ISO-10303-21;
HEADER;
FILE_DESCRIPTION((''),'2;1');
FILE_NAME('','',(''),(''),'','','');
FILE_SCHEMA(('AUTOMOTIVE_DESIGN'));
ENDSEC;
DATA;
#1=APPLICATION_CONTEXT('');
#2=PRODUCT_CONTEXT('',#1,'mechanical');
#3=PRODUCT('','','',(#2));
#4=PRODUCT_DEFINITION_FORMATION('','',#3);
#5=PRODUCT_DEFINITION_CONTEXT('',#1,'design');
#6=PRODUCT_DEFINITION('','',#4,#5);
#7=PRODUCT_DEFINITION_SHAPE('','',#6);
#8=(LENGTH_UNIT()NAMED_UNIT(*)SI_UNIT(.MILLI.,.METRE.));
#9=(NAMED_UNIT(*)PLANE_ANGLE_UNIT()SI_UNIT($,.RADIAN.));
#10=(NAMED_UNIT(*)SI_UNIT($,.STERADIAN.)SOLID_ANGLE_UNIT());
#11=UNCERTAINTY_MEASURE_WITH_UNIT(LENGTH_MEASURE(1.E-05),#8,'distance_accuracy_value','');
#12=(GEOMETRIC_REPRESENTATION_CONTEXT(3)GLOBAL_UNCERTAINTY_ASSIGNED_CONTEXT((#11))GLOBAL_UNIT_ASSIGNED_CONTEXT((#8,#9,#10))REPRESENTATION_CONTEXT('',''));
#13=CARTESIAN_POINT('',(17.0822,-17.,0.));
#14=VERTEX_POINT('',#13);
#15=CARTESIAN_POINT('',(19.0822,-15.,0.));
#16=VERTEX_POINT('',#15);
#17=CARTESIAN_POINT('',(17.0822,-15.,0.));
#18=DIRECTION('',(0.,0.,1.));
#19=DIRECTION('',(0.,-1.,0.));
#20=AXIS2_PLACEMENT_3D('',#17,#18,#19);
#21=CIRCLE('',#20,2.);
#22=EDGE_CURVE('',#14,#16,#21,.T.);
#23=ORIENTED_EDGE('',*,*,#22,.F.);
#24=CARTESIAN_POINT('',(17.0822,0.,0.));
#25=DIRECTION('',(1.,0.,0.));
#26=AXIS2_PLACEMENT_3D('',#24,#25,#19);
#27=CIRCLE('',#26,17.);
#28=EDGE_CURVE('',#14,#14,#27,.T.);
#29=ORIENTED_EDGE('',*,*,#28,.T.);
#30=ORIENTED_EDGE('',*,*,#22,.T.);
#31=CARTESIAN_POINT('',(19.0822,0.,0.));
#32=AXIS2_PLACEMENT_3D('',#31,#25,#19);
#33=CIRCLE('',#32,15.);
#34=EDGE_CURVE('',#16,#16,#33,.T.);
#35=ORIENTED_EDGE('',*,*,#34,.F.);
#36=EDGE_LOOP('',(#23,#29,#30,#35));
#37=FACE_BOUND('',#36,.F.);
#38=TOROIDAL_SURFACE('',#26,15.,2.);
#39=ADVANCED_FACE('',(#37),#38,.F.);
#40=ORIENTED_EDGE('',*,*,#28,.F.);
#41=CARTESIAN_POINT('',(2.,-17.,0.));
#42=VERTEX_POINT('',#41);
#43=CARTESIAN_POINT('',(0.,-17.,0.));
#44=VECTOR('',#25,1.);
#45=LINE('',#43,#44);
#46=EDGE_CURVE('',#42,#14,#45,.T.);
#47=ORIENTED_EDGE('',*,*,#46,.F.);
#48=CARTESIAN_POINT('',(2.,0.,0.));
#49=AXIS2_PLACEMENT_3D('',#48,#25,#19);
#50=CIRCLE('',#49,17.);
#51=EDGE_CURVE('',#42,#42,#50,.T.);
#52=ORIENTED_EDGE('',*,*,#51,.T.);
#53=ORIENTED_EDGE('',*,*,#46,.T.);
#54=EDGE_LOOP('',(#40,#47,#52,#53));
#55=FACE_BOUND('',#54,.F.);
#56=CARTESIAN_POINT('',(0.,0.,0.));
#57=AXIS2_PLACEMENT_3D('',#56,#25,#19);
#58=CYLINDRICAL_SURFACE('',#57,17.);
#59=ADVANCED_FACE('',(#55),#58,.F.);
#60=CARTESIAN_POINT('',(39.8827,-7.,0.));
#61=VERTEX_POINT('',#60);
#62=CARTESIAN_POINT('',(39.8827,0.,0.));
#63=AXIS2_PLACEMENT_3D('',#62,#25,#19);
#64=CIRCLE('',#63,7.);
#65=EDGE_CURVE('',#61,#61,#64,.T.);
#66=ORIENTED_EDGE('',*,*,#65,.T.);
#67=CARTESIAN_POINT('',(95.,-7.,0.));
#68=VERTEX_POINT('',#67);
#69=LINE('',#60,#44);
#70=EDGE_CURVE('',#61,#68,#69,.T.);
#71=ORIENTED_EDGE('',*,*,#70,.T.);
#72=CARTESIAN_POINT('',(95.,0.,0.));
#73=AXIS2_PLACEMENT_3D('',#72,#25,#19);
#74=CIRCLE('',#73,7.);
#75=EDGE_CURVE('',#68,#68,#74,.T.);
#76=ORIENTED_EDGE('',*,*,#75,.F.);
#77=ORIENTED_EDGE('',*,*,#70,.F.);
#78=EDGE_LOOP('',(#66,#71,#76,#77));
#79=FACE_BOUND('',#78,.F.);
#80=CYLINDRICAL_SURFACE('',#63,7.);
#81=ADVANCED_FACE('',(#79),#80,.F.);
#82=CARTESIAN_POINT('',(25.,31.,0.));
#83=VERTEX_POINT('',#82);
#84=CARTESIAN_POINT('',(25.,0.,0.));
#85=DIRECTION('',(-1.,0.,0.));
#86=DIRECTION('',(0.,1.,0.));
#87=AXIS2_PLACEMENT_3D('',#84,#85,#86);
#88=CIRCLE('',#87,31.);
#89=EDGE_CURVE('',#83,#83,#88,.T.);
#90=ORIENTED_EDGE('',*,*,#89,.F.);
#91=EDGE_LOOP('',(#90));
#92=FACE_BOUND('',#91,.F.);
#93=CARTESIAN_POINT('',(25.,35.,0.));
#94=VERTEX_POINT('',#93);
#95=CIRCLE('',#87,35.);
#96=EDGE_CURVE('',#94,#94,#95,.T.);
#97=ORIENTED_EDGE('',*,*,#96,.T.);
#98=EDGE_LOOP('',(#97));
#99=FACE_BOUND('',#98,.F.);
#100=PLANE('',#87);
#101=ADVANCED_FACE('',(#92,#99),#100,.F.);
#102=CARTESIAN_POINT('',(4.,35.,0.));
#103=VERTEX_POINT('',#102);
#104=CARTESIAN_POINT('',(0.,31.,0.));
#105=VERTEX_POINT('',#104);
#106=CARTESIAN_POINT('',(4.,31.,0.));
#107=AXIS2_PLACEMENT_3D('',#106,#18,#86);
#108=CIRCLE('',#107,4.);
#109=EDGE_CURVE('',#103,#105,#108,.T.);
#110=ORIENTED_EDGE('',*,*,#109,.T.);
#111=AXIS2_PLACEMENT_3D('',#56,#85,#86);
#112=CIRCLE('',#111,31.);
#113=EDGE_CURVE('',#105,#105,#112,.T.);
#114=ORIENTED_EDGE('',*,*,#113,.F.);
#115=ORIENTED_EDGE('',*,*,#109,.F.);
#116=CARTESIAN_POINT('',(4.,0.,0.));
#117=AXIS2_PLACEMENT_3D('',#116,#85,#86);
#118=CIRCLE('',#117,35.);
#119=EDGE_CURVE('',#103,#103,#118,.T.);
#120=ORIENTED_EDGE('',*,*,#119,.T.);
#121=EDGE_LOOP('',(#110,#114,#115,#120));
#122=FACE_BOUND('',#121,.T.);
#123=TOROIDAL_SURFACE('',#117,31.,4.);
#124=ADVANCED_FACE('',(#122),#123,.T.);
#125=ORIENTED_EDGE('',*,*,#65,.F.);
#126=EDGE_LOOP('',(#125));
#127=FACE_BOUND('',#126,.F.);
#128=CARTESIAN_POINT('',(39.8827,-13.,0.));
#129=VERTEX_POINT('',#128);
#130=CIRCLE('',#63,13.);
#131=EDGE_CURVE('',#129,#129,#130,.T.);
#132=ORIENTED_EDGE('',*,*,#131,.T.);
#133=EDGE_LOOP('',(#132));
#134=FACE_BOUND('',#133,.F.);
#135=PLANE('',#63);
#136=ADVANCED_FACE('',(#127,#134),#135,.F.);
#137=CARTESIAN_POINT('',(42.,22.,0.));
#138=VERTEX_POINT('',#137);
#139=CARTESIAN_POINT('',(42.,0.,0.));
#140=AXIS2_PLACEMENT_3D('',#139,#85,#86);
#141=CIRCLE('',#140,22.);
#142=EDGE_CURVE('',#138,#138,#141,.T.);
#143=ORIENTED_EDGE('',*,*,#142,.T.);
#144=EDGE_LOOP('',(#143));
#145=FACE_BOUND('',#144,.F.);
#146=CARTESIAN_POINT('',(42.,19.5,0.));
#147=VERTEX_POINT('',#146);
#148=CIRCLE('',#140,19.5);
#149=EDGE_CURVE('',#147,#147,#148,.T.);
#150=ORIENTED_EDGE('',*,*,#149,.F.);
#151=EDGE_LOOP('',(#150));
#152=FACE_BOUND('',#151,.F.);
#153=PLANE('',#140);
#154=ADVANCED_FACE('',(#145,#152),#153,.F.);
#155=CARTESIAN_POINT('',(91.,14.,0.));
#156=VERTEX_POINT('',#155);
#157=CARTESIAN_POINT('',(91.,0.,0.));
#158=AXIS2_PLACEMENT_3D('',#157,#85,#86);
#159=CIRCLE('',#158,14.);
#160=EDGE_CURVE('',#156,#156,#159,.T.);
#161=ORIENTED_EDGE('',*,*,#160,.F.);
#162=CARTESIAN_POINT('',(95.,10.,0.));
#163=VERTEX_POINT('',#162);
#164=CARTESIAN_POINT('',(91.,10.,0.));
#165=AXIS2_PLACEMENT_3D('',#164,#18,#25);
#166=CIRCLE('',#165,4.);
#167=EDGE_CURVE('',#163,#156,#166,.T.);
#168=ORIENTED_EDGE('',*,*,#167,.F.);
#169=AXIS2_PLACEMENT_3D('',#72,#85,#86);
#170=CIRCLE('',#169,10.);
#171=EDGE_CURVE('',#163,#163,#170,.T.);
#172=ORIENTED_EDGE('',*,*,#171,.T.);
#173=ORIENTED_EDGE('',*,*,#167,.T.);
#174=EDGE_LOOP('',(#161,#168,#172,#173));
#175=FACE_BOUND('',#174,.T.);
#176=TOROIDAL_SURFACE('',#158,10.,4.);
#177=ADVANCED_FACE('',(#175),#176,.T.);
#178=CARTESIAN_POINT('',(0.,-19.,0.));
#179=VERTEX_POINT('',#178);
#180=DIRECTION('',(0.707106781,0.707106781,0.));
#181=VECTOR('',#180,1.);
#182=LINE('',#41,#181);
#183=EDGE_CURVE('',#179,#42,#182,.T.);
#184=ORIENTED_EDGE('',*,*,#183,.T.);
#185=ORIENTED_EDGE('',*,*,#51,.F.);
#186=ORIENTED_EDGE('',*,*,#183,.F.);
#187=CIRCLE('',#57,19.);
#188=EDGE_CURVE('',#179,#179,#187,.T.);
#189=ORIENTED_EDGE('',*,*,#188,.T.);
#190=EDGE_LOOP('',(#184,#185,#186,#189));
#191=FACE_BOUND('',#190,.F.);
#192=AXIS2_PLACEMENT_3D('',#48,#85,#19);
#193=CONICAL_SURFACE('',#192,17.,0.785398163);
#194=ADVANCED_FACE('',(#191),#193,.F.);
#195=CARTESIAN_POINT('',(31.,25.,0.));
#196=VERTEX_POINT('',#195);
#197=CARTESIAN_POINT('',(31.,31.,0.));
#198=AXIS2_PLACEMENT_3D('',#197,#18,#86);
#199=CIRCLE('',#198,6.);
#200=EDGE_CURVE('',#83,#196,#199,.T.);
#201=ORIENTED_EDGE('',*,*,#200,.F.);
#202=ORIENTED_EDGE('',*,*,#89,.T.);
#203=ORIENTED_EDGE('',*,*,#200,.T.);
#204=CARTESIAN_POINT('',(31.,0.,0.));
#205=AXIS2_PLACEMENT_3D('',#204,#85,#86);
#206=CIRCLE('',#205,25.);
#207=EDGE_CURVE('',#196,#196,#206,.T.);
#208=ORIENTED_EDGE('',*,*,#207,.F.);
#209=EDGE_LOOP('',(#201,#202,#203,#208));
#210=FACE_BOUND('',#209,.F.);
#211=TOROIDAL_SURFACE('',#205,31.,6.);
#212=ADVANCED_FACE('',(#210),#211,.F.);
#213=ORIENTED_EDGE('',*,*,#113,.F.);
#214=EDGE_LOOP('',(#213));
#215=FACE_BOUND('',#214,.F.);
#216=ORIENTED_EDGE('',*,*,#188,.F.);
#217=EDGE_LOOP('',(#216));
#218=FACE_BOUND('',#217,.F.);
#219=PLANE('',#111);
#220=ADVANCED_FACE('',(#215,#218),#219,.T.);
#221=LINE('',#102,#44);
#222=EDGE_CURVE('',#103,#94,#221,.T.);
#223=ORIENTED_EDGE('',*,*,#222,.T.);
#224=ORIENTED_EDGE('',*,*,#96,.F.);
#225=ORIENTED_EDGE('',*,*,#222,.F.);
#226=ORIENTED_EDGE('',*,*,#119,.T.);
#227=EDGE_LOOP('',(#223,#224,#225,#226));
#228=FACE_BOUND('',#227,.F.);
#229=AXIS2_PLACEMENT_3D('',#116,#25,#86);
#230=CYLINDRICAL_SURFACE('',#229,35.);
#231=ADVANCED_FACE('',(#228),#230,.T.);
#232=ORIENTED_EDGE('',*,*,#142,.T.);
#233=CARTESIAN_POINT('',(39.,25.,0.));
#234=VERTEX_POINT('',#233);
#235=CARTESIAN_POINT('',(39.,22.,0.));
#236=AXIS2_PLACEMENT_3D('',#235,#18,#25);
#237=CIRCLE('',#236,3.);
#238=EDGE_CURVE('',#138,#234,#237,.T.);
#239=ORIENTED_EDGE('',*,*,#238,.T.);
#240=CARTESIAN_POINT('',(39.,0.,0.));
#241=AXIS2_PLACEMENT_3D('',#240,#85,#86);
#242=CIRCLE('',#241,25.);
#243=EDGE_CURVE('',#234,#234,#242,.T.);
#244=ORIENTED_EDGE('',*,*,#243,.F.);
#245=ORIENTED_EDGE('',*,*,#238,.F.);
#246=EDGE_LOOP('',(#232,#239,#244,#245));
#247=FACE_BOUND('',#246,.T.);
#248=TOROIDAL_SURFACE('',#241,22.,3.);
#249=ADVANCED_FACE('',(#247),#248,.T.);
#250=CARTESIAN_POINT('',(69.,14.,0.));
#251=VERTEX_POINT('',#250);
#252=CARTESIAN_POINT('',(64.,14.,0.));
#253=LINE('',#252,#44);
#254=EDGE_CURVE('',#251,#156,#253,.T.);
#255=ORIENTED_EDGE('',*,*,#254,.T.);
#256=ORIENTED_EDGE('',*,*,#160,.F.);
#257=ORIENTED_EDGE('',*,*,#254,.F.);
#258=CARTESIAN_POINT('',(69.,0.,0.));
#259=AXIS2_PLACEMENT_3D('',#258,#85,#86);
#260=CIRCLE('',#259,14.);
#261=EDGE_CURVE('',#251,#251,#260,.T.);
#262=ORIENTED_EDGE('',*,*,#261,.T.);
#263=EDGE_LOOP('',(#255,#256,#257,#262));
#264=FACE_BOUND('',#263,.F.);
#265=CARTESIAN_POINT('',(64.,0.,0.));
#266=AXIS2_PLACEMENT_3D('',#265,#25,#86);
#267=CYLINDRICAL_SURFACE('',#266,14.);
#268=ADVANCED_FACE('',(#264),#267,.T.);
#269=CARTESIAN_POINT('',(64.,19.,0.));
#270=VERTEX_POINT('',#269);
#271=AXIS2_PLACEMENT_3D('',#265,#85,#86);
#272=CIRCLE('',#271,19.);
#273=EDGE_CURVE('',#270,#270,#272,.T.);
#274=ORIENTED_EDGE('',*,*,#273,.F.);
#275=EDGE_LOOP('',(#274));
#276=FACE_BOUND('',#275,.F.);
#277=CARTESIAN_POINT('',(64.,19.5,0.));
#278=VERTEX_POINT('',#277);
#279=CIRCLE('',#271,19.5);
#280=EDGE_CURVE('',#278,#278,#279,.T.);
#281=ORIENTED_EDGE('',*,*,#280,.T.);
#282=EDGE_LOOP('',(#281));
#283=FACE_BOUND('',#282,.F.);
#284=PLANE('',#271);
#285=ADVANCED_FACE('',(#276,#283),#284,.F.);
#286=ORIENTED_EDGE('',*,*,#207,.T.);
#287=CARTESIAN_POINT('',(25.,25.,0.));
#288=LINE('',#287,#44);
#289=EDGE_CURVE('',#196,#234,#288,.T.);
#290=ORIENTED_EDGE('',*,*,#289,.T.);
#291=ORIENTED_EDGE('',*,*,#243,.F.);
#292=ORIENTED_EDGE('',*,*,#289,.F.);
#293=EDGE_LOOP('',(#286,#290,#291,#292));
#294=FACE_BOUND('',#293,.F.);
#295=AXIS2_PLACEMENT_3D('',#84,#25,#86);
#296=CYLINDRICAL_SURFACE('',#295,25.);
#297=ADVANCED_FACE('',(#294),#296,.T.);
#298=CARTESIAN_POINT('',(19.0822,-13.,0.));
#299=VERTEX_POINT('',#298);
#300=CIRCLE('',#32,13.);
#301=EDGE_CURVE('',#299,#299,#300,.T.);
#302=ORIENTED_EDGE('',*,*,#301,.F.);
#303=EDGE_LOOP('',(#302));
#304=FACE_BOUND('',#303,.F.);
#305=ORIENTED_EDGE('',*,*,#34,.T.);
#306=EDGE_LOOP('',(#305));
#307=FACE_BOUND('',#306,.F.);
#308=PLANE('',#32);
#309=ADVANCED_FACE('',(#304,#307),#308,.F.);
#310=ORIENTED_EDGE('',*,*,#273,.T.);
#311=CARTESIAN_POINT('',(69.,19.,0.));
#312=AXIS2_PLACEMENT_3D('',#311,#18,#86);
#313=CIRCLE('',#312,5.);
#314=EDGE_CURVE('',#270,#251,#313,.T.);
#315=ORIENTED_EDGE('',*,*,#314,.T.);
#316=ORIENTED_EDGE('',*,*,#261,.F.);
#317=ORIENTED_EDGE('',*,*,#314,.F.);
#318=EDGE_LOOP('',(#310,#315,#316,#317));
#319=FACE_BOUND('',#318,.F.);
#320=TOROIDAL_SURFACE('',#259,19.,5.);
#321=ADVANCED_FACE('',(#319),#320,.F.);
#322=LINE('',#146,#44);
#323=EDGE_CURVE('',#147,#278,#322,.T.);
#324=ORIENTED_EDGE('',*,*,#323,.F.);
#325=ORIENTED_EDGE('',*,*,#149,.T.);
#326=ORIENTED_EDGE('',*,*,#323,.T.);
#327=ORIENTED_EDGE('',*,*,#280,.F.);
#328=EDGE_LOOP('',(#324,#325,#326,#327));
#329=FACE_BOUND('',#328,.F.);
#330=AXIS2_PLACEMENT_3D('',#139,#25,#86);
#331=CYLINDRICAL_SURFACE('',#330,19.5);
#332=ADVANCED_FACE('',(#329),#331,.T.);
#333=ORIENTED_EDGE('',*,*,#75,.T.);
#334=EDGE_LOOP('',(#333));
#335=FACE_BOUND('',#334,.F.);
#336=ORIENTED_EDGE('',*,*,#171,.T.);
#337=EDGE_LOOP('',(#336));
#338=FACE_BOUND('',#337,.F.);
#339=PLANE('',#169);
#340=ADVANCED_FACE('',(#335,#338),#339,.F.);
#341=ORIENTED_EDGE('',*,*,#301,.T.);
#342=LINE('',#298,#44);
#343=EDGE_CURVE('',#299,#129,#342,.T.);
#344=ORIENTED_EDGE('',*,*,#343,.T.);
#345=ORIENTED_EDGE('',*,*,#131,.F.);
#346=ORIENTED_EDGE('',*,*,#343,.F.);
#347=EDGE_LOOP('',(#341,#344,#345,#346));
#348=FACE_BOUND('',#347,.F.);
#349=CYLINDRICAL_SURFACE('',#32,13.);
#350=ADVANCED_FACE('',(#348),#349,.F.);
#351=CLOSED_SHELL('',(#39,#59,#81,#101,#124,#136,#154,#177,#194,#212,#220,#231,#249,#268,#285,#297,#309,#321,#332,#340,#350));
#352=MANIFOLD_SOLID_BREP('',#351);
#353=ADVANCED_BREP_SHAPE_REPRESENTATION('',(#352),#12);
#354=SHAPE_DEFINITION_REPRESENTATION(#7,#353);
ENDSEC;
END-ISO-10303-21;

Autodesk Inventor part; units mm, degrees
ref_plane "YZ Plane" through (0, 0, 0) normal (1, 0, 0) x (0, 1, 0)
ref_plane "XZ Plane" through (0, 0, 0) normal (0, 1, 0) x (-1, 0, 0)
ref_plane "XY Plane" through (0, 0, 0) normal (0, 0, 1) x (1, 0, 0)
sketch "proba_1" plane through (0, 0, 0) normal (0, 0, 1) x (1, 0, 0)
  line L0 (0, 0) -> (0, 31)
  line L1 (4, 35) -> (25, 35)
  line L2 (25, 35) -> (25, 25)
  line L3 (25, 25) -> (39, 25)
  line L4 (42, 22) -> (42, 19.5)
  line L5 (42, 19.5) -> (64, 19.5)
  line L6 (64, 19.5) -> (64, 14)
  line L7 (64, 14) -> (91, 14)
  line L8 (95, 10) -> (95, 0)
  line L9 (95, 0) -> (0, 0)
  line L10 (0, 0) -> (0, -17)
  line L11 (0, -17) -> (17.0822, -17)
  line L12 (19.0822, -15) -> (19.0822, -13)
  line L13 (19.0822, -13) -> (39.8827, -13)
  line L14 (39.8827, -13) -> (39.8827, -7)
  line L15 (39.8827, -7) -> (95, -7)
  line L16 (95, -7) -> (95, 0)
  arc A0 (17.0822, -17) -> (19.0822, -15) centre (17.0822, -15) ccw
  arc A1 (4, 35) -> (0, 31) centre (4, 31) ccw
  arc A2 (95, 10) -> (91, 14) centre (91, 10) ccw
  arc A3 (42, 22) -> (39, 25) centre (39, 22) ccw
  dimension "d1" = 95
  dimension "d2" = 31
  dimension "d3" = 53
  dimension "d4" = 70
  dimension "d5" = 70
  dimension "d6" = 50
  dimension "d7" = 39
  dimension "d8" = 28
  dimension "d9" = 34
  dimension "d10" = 26
  dimension "d11" = 14
  dimension "d12" = 2
  dimension "d13" = 4
  dimension "d14" = 3
revolve "Obrót1" add sketch "proba_1" angle 360 about axis through (95, 0, 0) along (-1, 0, 0) contours L0 A1 L1 L2 L3 A3 L4 L5 L6 L7 A2 L8 L9
revolve "Obrót2" cut sketch "proba_1" angle 360 about axis through (95, 0, 0) along (1, 0, 0) contours L9 L16 L15 L14 L13 L12 A0 L11 L10
fillet "Zaokrąglenie1" radius 6 1 edges at (25, -25, 0)
fillet "Zaokrąglenie2" radius 5 1 edges at (64, -14, 0)
chamfer "Faza1" distance 2 angle 45 1 edges at (0, 17, 0) measured on face at (0, 25.8684, 3.8291)
properties part number "Bartosz_Zukowski_model_nr_9.ipj"
